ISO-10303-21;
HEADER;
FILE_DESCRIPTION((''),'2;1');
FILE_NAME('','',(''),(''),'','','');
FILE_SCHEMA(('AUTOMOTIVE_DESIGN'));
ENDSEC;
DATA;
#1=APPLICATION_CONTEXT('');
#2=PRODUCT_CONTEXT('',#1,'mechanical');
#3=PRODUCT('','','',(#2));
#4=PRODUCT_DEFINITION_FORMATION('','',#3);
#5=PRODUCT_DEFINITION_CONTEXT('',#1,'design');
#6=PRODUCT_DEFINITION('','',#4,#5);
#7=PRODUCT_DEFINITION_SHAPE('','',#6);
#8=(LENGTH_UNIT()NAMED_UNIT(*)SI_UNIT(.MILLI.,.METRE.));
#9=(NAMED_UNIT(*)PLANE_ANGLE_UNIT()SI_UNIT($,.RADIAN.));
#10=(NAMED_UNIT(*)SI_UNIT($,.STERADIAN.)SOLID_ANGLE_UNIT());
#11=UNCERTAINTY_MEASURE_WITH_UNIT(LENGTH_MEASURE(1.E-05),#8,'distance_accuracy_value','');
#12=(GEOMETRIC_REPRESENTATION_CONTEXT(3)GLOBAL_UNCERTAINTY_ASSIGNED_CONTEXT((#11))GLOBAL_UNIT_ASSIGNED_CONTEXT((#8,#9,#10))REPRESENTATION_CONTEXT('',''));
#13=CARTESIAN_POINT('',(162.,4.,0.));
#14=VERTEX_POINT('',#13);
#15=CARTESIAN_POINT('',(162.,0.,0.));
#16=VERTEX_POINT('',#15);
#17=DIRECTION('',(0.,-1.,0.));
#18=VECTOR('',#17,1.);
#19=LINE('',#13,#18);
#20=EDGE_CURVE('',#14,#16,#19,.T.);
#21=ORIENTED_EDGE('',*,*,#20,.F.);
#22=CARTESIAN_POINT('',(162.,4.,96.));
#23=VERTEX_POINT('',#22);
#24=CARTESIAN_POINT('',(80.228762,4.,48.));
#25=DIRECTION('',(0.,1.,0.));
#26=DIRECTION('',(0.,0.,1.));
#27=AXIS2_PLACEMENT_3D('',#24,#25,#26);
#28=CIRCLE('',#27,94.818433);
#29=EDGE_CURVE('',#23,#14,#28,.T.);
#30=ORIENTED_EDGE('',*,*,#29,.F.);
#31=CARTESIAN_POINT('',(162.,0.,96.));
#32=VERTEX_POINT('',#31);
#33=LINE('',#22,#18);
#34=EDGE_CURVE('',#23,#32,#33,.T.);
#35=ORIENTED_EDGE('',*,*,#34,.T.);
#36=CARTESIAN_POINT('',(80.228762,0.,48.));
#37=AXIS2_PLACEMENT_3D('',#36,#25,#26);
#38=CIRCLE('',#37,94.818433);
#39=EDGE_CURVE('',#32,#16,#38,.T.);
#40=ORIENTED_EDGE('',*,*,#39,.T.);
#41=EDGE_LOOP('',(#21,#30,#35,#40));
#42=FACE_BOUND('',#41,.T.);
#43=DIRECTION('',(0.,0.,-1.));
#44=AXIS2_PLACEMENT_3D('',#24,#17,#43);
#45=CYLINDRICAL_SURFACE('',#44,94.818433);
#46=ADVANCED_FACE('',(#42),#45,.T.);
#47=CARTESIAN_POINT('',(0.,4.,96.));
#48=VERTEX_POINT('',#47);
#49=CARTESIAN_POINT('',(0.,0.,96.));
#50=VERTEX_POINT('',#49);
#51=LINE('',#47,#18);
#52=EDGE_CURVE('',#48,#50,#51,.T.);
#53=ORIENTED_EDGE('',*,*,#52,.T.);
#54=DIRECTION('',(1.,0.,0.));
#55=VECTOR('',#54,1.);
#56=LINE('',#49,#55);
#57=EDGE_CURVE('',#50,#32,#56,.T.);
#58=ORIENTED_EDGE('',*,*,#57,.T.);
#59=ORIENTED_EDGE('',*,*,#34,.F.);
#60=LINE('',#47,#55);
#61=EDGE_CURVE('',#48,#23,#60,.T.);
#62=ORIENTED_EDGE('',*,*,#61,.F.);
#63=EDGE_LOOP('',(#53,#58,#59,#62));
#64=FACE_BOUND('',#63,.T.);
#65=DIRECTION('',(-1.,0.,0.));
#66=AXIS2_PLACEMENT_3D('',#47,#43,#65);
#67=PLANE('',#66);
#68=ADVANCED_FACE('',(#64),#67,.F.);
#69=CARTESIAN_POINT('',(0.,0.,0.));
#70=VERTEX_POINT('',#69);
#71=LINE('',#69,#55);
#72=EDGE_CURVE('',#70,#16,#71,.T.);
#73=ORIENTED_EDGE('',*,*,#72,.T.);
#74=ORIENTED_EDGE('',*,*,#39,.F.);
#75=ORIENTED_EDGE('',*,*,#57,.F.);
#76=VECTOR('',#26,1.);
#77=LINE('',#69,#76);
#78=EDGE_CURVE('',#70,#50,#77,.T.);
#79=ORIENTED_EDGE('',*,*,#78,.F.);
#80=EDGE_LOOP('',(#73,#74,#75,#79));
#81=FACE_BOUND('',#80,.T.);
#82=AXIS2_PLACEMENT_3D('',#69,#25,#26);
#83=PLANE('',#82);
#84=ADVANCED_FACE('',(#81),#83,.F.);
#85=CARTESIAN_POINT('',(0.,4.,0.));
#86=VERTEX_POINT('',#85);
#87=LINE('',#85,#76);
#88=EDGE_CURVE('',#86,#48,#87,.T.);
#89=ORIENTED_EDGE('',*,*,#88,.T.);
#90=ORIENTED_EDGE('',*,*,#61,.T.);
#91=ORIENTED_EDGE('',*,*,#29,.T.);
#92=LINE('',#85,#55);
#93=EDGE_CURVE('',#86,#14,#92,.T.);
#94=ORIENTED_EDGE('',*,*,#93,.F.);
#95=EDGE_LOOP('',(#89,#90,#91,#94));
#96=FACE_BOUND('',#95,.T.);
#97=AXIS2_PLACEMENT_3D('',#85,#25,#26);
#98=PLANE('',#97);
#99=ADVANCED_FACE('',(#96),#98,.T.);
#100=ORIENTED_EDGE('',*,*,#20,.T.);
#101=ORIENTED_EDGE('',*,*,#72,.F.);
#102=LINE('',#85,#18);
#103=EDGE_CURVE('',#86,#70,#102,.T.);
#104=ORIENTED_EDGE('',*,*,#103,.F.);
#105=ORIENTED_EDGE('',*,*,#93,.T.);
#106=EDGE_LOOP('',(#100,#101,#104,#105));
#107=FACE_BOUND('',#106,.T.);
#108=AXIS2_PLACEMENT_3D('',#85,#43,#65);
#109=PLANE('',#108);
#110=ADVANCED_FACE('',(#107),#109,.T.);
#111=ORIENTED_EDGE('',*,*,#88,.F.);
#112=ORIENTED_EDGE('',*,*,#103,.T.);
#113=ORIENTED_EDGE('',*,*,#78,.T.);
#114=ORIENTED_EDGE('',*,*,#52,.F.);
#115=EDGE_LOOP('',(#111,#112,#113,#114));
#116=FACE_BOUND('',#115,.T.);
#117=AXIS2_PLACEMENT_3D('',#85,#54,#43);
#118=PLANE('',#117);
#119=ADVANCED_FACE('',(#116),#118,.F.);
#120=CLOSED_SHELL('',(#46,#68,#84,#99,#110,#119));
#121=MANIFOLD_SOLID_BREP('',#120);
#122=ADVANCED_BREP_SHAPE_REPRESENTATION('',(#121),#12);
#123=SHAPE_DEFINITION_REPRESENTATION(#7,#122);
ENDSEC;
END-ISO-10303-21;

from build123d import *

# Parameters (mm, degrees)
BOSS_EXTRUDE1_DEPTH = 4


with BuildPart() as part:
    # Sketch1 → Boss-Extrude1 (new body)
    with BuildSketch(Plane(origin=(0, 0, 0), x_dir=(1, 0, 0), z_dir=(0, 1, 0))):
        with BuildLine():
            Line((0, 0), (162, 0))
            ThreePointArc((162, 0), (175.047195741, -48), (162, -96))
            Line((162, -96), (0, -96))
            Line((0, -96), (0, 0))
        make_face()
    extrude(amount=BOSS_EXTRUDE1_DEPTH)


solid = part.part
